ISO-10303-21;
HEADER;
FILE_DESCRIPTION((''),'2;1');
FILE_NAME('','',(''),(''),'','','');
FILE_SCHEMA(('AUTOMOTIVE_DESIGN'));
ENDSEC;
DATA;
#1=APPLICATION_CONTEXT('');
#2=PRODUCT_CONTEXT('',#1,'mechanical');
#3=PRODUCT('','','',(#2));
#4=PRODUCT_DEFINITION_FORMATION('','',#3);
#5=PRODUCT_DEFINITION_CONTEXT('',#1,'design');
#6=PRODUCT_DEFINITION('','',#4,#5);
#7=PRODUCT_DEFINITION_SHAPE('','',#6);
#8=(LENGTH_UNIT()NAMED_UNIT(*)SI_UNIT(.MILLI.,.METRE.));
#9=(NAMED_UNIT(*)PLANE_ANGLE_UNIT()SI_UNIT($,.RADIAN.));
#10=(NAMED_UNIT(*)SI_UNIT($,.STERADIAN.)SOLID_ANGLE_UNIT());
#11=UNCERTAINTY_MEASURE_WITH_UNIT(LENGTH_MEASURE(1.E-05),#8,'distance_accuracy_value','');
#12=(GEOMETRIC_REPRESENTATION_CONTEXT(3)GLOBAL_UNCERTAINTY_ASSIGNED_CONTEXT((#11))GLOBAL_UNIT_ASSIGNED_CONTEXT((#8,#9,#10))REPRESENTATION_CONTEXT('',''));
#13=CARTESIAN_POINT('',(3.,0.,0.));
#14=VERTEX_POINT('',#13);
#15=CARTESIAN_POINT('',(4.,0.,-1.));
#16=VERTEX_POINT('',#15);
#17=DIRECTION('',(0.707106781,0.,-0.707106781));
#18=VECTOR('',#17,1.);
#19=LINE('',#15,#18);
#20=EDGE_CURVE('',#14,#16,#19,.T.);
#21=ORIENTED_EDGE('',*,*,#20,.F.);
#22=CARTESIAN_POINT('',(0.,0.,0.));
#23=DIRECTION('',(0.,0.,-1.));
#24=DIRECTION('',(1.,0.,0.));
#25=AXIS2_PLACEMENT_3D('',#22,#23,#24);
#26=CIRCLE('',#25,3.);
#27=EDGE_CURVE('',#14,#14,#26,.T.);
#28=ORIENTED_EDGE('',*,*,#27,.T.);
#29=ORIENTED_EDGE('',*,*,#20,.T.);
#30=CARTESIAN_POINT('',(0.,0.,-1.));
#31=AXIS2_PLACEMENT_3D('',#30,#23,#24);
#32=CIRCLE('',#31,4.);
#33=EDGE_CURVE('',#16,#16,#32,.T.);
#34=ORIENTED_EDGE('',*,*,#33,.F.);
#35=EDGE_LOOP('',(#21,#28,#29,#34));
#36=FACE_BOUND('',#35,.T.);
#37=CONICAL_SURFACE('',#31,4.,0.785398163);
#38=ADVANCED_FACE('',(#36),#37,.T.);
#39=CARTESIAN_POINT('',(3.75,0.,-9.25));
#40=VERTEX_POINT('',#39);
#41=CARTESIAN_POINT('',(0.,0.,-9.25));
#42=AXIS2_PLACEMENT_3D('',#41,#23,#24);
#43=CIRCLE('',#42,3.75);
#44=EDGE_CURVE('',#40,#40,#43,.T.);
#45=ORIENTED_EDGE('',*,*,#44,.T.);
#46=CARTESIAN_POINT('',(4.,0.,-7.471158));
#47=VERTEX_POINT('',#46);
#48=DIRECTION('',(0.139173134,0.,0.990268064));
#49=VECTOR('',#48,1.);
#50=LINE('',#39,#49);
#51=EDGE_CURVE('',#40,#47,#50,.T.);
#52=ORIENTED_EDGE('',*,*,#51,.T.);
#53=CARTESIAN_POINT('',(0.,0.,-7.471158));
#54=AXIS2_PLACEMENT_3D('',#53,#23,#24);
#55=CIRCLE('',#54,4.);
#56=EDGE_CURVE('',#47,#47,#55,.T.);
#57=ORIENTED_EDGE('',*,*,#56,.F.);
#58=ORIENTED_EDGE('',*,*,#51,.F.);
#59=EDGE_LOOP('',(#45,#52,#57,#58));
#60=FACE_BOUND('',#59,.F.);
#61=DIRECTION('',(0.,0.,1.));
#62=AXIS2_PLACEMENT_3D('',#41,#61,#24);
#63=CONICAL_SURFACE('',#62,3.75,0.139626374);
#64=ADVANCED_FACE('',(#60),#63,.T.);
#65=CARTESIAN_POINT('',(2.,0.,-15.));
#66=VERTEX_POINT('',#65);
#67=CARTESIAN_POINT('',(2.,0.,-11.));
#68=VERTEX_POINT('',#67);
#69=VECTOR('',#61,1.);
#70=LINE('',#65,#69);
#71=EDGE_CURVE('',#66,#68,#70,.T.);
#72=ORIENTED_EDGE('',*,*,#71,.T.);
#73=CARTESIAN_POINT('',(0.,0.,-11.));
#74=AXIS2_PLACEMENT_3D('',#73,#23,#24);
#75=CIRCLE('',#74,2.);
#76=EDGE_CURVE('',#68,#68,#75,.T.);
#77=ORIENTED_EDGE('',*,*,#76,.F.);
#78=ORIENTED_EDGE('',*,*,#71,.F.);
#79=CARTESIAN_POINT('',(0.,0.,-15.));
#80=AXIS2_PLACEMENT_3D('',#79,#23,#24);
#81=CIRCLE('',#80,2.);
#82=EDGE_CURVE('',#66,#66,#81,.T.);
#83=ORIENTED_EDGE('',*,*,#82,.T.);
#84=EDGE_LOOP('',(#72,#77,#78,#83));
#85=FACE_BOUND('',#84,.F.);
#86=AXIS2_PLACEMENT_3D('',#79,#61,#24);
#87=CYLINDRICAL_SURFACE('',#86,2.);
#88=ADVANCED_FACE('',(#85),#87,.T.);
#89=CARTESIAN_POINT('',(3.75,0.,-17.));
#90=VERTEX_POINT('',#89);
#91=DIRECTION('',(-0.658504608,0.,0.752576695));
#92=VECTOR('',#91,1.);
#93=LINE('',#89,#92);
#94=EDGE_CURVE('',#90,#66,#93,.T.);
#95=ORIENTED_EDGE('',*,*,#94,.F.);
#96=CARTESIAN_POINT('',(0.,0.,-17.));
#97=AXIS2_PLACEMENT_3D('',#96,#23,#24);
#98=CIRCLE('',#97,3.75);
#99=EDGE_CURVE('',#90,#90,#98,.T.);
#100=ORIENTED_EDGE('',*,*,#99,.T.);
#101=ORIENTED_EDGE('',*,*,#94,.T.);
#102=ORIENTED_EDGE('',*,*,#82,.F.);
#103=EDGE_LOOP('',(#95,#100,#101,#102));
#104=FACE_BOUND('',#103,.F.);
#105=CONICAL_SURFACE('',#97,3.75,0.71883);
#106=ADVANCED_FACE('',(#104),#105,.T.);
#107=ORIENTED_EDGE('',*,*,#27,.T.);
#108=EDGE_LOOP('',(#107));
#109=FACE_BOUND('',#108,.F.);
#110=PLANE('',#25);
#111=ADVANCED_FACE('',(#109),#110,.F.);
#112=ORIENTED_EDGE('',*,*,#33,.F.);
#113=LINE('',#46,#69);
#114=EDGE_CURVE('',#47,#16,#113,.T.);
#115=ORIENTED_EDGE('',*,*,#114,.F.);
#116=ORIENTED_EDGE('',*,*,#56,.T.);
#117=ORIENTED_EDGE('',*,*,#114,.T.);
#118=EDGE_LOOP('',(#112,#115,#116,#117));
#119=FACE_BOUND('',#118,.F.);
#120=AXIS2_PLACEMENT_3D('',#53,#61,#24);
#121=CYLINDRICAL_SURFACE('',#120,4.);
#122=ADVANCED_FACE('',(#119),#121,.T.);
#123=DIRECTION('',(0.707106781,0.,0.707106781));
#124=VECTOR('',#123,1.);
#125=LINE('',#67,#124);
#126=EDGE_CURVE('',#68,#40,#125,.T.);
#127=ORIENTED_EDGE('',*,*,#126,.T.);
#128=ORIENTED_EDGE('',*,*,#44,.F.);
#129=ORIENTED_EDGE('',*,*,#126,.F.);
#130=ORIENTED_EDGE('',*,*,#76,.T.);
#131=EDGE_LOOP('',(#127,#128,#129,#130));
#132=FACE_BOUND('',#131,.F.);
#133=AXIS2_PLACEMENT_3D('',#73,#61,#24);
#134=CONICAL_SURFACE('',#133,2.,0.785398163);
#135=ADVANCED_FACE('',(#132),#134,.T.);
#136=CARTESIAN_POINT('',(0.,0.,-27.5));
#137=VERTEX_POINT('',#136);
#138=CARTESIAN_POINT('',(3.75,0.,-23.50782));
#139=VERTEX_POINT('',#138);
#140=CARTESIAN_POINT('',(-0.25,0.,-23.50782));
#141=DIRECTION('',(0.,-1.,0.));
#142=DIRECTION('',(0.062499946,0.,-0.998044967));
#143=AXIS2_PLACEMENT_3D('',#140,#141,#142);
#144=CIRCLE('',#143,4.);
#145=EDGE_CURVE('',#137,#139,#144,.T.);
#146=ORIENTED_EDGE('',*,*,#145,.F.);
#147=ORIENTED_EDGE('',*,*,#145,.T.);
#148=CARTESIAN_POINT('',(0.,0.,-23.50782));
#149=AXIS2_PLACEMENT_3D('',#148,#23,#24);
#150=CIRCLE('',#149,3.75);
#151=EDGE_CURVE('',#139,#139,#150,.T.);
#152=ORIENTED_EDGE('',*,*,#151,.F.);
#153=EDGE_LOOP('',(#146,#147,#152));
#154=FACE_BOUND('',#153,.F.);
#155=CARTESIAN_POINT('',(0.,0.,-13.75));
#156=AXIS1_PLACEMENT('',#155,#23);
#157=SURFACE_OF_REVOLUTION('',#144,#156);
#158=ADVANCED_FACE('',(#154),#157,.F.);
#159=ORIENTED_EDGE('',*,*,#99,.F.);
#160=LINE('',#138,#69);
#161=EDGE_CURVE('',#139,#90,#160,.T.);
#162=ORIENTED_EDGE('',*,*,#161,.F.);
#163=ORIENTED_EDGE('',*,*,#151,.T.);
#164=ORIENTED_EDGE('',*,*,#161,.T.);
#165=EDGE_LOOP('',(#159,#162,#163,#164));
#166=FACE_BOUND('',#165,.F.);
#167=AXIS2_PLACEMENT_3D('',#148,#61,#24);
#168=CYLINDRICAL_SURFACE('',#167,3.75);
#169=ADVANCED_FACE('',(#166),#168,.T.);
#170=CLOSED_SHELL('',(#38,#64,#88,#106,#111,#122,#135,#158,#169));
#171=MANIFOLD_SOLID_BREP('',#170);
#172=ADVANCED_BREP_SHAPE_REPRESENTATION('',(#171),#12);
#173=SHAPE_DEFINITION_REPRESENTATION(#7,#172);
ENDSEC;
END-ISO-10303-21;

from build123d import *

# Parameters (mm, degrees)
F2_SIZE = 1


with BuildPart() as f1:
    # F0 (on Front) → F1 (revolve)
    with BuildSketch(Plane.XZ):
        with BuildLine():
            Line((4, 0), (0, 0))
            Line((0, 0), (0, -27.5))
            ThreePointArc((0, -27.5), (2.665476, -26.246433), (3.75, -23.50782))
            Line((3.75, -23.50782), (3.75, -17))
            Line((3.75, -17), (2, -15))
            Line((2, -15), (2, -11))
            Line((2, -11), (3.75, -9.25))
            Line((3.75, -9.25), (4, -7.471158))
            Line((4, -7.471158), (4, 0))
        make_face()
    revolve(axis=Axis((0, 0, -13.75), (0, 0, -1)))

    # F2
    f2_edges = [f1.edges().sort_by_distance(p)[0] for p in [
        (-4, 0, 0),
    ]]
    chamfer(f2_edges, length=F2_SIZE)


solid = f1.part
